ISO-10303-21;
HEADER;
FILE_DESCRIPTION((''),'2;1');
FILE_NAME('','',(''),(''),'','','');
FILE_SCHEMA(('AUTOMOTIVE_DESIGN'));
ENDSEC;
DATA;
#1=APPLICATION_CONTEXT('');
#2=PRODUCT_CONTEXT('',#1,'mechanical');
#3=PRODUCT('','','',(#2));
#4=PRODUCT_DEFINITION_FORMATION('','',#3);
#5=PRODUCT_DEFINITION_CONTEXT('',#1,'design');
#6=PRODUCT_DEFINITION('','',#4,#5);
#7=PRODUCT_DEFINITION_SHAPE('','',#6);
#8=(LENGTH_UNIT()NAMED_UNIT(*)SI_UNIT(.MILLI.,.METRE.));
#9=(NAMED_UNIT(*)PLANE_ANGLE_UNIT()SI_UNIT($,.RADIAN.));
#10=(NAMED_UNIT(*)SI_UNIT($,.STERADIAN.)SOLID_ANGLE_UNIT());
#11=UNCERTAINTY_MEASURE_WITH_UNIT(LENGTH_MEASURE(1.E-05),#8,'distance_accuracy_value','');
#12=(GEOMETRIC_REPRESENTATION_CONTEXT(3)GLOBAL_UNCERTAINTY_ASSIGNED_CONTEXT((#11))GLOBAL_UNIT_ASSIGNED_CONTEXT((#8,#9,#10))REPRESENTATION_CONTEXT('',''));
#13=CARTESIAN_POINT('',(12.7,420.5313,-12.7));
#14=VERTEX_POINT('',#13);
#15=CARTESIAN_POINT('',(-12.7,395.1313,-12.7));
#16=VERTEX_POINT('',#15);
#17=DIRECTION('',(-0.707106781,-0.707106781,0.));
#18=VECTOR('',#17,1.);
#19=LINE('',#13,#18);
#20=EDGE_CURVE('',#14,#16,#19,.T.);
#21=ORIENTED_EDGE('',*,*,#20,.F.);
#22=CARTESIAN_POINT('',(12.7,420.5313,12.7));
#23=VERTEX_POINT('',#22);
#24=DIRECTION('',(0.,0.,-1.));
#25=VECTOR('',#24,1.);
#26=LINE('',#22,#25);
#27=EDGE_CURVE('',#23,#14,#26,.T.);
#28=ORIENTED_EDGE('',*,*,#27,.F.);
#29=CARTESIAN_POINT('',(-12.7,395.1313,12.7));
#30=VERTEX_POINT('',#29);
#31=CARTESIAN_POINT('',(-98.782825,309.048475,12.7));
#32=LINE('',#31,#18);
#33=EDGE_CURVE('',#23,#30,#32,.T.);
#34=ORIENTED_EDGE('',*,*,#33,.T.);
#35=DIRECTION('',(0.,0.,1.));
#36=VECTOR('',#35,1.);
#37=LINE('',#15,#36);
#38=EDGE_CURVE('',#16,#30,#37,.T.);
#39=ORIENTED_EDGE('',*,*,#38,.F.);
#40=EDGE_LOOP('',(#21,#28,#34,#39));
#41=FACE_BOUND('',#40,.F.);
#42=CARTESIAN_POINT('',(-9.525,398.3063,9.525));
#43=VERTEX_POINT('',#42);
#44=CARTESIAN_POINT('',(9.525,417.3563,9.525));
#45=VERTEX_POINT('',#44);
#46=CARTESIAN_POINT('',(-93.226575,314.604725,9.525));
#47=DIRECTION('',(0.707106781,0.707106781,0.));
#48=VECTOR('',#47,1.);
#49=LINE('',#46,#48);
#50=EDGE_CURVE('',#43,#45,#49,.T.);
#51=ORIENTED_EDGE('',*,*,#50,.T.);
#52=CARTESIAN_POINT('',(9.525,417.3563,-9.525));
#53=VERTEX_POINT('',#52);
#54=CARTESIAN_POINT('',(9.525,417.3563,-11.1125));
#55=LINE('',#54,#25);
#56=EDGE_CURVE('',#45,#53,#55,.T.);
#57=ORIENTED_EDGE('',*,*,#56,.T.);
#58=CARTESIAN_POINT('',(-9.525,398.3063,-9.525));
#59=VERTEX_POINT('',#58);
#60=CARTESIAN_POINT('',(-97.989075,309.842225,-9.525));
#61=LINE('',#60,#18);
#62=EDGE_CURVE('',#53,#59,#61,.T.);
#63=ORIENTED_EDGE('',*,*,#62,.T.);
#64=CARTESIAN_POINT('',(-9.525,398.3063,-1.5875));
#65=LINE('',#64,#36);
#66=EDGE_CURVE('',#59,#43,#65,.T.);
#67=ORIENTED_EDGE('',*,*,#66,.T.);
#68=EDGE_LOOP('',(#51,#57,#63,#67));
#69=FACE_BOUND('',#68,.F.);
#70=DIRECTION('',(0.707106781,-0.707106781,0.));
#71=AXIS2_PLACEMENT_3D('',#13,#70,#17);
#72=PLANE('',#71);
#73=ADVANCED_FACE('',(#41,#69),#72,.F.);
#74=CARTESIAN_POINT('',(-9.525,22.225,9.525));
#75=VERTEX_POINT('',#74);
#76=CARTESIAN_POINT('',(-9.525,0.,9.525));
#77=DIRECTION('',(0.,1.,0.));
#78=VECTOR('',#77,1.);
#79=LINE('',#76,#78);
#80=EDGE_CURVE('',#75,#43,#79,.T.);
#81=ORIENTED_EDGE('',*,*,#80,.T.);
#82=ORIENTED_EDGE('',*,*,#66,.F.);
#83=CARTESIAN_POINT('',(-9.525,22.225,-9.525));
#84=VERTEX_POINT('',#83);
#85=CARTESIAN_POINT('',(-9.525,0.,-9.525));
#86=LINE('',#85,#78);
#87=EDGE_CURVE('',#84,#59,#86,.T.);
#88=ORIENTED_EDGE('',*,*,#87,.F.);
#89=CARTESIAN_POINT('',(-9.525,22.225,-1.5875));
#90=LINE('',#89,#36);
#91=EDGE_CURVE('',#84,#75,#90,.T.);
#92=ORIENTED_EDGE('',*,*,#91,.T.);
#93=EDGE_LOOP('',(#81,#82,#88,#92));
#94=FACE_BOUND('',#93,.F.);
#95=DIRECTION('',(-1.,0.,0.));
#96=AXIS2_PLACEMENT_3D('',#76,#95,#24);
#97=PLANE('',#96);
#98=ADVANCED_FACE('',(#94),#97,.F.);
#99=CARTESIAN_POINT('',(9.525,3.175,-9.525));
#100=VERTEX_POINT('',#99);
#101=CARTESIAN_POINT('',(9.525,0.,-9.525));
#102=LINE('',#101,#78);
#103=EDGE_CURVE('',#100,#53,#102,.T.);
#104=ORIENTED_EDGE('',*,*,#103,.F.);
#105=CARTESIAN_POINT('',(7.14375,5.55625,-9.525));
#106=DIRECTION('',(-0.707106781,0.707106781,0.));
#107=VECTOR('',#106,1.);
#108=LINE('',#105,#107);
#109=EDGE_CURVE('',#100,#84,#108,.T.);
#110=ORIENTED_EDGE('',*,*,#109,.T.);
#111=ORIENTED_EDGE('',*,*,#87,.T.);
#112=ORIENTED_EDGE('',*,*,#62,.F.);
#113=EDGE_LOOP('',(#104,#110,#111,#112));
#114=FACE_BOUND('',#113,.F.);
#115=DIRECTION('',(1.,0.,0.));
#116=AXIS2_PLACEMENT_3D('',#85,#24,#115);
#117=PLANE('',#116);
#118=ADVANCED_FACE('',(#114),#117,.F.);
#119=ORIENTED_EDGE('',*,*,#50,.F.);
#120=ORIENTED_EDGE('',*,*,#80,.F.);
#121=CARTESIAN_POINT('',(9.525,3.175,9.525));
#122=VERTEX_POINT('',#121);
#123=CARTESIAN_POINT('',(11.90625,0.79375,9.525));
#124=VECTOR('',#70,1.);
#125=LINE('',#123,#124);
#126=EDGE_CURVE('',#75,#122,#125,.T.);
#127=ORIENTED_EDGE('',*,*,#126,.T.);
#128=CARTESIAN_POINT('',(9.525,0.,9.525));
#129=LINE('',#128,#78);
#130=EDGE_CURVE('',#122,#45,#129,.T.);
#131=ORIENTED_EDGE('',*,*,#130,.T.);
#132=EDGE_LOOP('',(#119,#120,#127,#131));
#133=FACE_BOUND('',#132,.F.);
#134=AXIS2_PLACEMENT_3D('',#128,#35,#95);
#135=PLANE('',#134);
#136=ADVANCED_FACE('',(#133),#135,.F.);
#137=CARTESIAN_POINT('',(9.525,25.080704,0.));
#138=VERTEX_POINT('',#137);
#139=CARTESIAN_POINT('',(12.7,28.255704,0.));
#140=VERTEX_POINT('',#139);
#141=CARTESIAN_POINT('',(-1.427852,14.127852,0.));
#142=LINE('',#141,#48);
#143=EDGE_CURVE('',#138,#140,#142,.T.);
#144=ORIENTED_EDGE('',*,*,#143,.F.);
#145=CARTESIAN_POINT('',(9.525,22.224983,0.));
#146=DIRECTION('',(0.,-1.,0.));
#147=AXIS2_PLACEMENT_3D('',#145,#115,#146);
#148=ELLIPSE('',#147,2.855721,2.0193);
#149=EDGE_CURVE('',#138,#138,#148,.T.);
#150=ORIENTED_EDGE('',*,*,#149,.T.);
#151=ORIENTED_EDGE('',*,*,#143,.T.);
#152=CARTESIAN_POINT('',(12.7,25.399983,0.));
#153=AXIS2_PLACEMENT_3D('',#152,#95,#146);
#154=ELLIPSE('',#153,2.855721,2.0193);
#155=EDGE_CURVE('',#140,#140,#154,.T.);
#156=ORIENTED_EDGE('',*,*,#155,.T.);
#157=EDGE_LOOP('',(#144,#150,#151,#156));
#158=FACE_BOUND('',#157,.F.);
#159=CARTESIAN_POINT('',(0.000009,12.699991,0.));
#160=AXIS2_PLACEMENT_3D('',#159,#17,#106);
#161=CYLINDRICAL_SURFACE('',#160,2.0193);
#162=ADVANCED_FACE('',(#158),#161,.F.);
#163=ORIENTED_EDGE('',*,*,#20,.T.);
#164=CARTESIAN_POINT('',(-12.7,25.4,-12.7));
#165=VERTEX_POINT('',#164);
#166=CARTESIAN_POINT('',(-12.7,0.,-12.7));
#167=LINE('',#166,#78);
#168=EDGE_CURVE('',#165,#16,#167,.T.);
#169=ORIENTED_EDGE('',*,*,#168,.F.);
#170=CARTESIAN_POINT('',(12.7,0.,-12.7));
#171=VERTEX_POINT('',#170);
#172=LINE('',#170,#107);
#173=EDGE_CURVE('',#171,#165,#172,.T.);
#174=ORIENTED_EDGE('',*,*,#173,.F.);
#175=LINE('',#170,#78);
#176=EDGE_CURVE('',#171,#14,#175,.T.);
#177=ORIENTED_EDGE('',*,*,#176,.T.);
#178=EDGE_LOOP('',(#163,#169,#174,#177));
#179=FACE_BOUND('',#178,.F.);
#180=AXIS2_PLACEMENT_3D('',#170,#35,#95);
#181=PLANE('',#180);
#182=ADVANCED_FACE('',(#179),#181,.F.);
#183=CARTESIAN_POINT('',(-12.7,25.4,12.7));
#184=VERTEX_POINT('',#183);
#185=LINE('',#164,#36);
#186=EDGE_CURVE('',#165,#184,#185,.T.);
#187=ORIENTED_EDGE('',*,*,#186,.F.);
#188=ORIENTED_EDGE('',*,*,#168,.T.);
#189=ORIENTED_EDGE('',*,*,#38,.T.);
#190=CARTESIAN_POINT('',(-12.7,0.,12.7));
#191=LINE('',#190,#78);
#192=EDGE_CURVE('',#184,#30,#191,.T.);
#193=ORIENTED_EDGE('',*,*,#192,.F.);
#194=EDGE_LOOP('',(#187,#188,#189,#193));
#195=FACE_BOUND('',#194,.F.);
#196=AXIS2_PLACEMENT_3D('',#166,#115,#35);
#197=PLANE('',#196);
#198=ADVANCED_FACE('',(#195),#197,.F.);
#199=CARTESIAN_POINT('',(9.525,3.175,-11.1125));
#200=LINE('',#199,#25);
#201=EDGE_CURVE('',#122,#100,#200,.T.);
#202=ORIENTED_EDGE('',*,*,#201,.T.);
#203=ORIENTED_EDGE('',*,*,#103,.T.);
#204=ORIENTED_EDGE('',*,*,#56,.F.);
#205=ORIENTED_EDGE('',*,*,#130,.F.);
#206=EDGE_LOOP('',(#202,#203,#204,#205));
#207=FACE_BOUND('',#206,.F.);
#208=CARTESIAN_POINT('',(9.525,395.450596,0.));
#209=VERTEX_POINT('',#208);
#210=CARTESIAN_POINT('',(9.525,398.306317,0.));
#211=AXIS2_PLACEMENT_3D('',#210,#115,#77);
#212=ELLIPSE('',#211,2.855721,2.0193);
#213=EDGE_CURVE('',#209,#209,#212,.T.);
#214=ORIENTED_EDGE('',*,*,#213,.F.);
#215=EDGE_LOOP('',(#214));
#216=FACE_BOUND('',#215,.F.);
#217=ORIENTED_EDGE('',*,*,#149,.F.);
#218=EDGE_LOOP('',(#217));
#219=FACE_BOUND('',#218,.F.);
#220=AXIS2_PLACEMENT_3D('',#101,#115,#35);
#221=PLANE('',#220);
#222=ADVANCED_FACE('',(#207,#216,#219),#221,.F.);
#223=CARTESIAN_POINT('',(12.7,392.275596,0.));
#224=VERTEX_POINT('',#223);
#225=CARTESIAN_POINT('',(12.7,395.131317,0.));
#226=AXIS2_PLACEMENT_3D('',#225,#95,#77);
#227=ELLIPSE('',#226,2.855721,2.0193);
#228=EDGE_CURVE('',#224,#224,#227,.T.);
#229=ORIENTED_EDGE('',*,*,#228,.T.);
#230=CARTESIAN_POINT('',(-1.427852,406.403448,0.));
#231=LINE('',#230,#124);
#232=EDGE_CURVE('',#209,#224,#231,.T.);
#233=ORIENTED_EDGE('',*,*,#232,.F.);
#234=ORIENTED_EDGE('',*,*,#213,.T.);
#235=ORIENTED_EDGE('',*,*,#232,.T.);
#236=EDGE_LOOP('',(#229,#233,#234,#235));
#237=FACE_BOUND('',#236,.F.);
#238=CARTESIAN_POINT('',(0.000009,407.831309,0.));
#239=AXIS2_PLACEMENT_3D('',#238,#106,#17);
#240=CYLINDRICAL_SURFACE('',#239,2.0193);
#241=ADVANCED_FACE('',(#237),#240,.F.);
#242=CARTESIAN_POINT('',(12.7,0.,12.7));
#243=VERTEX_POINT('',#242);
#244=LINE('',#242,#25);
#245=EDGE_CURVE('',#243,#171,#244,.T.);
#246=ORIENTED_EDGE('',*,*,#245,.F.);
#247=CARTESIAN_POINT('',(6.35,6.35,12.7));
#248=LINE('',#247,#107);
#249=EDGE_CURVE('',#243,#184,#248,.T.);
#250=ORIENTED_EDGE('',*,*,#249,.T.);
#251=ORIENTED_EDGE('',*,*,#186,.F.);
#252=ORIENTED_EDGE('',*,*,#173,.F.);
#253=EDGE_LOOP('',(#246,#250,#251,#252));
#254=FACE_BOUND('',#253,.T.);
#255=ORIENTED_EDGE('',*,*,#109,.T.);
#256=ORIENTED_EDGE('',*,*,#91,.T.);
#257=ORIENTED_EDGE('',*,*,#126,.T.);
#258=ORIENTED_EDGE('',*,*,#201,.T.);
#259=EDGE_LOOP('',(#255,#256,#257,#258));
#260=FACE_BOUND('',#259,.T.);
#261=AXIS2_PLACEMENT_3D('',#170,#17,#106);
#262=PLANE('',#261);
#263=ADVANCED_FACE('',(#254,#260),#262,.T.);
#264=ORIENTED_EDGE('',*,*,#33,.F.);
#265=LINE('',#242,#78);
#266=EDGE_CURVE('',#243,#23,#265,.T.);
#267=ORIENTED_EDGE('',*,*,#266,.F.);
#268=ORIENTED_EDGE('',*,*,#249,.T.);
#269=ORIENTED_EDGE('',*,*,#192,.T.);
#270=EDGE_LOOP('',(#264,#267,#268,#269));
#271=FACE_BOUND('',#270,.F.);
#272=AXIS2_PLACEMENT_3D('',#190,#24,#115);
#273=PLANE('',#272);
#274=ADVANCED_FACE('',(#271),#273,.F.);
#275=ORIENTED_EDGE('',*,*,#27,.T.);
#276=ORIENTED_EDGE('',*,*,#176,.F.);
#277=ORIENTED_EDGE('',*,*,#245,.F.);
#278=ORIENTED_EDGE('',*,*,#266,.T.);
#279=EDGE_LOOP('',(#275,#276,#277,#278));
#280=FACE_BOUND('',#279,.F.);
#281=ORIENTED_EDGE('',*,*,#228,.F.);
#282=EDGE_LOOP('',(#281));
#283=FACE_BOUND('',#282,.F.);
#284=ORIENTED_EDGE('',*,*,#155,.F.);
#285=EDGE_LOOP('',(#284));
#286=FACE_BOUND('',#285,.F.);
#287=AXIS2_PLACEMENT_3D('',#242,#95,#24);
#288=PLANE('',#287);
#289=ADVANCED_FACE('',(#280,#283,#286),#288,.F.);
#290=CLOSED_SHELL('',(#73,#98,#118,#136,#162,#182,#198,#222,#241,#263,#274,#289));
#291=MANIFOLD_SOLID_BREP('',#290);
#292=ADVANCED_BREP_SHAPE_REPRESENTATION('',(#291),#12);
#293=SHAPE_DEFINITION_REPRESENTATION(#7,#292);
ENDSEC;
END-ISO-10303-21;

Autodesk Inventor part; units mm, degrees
ref_plane "YZ Plane" through (0, 0, 0) normal (1, 0, 0) x (0, 1, 0)
ref_plane "XZ Plane" through (0, 0, 0) normal (0, 1, 0) x (-1, 0, 0)
ref_plane "XY Plane" through (0, 0, 0) normal (0, 0, 1) x (1, 0, 0)
sketch "Sketch1" plane through (0, 0, 0) normal (0, 1, 0) x (-1, 0, 0)
  line L0 (-12.7, -12.7) -> (12.7, -12.7)
  line L1 (12.7, -12.7) -> (12.7, 12.7)
  line L2 (12.7, 12.7) -> (-12.7, 12.7)
  line L3 (-12.7, 12.7) -> (-12.7, -12.7)
  line L4 (-12.7, -12.7) -> (12.7, 12.7) construction
  line L5 (12.7, -12.7) -> (-12.7, 12.7) construction
  line L6 (9.525, 9.525) -> (9.525, -9.525)
  line L7 (9.525, -9.525) -> (-9.525, -9.525)
  line L8 (-9.525, -9.525) -> (-9.525, 9.525)
  line L9 (-9.525, 9.525) -> (9.525, 9.525)
  point P0 (0, 0)
  dimension "d0" = 25.4
  dimension "d1" = 25.4
  dimension "d2" = 3.175
extrude "Extrusion1" add sketch "Sketch1" along normal blind 420.5313
sketch "Sketch2" plane through (12.7, 0, -12.7) normal (0, 0, -1) x (-1, 0, 0)
  line L0 (0, 0) -> (25.4, 25.4)
  line L1 (25.4, 0) -> (25.4, 420.5313) projected
  line L2 (0, 0) -> (25.4, 0) projected
  line L3 (25.4, 0) -> (25.4, 420.5313) projected
  line L4 (0, 420.5313) -> (25.4, 420.5313) projected
  line L5 (0, 0) -> (0, 420.5313) projected
  line L6 (0, 420.5313) -> (25.4, 395.1313)
  point P0 (12.7, 0)
  dimension "d5" = 25.4
  dimension "d6" = 25.4
extrude "Extrusion2" cut sketch "Sketch2" against normal blind 451.1802 contours L0 L1 L2 | L4 L1 L6
sketch "Sketch3" plane through (12.7, 0, 12.7) normal (-0.7071, -0.7071, 0) x (-0.7071, 0.7071, 0)
  line L0 (35.921, 0) -> (0, 0) projected
  line L1 (35.921, 25.4) -> (35.921, 0) projected
  line L2 (0, 25.4) -> (35.921, 25.4) projected
  line L3 (0, 0) -> (0, 25.4) projected
  line L4 (4.4901, 3.175) -> (31.4309, 3.175) projected
  line L5 (4.4901, 22.225) -> (4.4901, 3.175) projected
  line L6 (31.4309, 22.225) -> (4.4901, 22.225) projected
  line L7 (31.4309, 3.175) -> (31.4309, 22.225) projected
  line L8 (35.921, 0) -> (297.3605, 0) projected
  line L9 (35.921, 0) -> (0, 25.4)
  line L10 (35.921, 25.4) -> (0, 0)
  circle A0 centre (17.9605, 12.7) radius 2.0193
  point P0 (8.9803, 12.7)
  dimension "d9" = 4.0386
extrude "Extrusion3" cut sketch "Sketch3" against normal through all contours A0 L10 L9 | L9 L10 A0 | A0 L9 L10 | L10 L9 A0
sketch "Sketch4" plane through (12.7, 420.5313, -12.7) normal (-0.7071, 0.7071, 0) x (-0.7071, -0.7071, 0)
  line L0 (0, 25.4) -> (35.921, 25.4) construction
  line L1 (0, 25.4) -> (0, 0) construction
  line L2 (35.921, 0) -> (0, 0) construction
  line L3 (35.921, 25.4) -> (35.921, 0) construction
  line L4 (31.4309, 22.225) -> (4.4901, 22.225) construction
  line L5 (31.4309, 3.175) -> (31.4309, 22.225) construction
  line L6 (4.4901, 3.175) -> (31.4309, 3.175) construction
  line L7 (4.4901, 22.225) -> (4.4901, 3.175) construction
  line L8 (0, 0) -> (35.921, 25.4) construction
  line L9 (35.921, 0) -> (0, 25.4) construction
  circle A0 centre (17.9605, 12.7) radius 2.0193
  point P0 (306.3408, 12.7)
  dimension "d12" = 4.0386
extrude "Extrusion4" cut sketch "Sketch4" against normal through all
thread "Thread1" size "10-32 UNF" class "2B" standard "ANSI Unified Screw Threads" full length
thread "Thread2" size "10-32 UNF" class "2B" standard "ANSI Unified Screw Threads" full length
properties part number "STRU_010_BilletCrossbar_17.7in_Angled" material "Aluminum 6061"
